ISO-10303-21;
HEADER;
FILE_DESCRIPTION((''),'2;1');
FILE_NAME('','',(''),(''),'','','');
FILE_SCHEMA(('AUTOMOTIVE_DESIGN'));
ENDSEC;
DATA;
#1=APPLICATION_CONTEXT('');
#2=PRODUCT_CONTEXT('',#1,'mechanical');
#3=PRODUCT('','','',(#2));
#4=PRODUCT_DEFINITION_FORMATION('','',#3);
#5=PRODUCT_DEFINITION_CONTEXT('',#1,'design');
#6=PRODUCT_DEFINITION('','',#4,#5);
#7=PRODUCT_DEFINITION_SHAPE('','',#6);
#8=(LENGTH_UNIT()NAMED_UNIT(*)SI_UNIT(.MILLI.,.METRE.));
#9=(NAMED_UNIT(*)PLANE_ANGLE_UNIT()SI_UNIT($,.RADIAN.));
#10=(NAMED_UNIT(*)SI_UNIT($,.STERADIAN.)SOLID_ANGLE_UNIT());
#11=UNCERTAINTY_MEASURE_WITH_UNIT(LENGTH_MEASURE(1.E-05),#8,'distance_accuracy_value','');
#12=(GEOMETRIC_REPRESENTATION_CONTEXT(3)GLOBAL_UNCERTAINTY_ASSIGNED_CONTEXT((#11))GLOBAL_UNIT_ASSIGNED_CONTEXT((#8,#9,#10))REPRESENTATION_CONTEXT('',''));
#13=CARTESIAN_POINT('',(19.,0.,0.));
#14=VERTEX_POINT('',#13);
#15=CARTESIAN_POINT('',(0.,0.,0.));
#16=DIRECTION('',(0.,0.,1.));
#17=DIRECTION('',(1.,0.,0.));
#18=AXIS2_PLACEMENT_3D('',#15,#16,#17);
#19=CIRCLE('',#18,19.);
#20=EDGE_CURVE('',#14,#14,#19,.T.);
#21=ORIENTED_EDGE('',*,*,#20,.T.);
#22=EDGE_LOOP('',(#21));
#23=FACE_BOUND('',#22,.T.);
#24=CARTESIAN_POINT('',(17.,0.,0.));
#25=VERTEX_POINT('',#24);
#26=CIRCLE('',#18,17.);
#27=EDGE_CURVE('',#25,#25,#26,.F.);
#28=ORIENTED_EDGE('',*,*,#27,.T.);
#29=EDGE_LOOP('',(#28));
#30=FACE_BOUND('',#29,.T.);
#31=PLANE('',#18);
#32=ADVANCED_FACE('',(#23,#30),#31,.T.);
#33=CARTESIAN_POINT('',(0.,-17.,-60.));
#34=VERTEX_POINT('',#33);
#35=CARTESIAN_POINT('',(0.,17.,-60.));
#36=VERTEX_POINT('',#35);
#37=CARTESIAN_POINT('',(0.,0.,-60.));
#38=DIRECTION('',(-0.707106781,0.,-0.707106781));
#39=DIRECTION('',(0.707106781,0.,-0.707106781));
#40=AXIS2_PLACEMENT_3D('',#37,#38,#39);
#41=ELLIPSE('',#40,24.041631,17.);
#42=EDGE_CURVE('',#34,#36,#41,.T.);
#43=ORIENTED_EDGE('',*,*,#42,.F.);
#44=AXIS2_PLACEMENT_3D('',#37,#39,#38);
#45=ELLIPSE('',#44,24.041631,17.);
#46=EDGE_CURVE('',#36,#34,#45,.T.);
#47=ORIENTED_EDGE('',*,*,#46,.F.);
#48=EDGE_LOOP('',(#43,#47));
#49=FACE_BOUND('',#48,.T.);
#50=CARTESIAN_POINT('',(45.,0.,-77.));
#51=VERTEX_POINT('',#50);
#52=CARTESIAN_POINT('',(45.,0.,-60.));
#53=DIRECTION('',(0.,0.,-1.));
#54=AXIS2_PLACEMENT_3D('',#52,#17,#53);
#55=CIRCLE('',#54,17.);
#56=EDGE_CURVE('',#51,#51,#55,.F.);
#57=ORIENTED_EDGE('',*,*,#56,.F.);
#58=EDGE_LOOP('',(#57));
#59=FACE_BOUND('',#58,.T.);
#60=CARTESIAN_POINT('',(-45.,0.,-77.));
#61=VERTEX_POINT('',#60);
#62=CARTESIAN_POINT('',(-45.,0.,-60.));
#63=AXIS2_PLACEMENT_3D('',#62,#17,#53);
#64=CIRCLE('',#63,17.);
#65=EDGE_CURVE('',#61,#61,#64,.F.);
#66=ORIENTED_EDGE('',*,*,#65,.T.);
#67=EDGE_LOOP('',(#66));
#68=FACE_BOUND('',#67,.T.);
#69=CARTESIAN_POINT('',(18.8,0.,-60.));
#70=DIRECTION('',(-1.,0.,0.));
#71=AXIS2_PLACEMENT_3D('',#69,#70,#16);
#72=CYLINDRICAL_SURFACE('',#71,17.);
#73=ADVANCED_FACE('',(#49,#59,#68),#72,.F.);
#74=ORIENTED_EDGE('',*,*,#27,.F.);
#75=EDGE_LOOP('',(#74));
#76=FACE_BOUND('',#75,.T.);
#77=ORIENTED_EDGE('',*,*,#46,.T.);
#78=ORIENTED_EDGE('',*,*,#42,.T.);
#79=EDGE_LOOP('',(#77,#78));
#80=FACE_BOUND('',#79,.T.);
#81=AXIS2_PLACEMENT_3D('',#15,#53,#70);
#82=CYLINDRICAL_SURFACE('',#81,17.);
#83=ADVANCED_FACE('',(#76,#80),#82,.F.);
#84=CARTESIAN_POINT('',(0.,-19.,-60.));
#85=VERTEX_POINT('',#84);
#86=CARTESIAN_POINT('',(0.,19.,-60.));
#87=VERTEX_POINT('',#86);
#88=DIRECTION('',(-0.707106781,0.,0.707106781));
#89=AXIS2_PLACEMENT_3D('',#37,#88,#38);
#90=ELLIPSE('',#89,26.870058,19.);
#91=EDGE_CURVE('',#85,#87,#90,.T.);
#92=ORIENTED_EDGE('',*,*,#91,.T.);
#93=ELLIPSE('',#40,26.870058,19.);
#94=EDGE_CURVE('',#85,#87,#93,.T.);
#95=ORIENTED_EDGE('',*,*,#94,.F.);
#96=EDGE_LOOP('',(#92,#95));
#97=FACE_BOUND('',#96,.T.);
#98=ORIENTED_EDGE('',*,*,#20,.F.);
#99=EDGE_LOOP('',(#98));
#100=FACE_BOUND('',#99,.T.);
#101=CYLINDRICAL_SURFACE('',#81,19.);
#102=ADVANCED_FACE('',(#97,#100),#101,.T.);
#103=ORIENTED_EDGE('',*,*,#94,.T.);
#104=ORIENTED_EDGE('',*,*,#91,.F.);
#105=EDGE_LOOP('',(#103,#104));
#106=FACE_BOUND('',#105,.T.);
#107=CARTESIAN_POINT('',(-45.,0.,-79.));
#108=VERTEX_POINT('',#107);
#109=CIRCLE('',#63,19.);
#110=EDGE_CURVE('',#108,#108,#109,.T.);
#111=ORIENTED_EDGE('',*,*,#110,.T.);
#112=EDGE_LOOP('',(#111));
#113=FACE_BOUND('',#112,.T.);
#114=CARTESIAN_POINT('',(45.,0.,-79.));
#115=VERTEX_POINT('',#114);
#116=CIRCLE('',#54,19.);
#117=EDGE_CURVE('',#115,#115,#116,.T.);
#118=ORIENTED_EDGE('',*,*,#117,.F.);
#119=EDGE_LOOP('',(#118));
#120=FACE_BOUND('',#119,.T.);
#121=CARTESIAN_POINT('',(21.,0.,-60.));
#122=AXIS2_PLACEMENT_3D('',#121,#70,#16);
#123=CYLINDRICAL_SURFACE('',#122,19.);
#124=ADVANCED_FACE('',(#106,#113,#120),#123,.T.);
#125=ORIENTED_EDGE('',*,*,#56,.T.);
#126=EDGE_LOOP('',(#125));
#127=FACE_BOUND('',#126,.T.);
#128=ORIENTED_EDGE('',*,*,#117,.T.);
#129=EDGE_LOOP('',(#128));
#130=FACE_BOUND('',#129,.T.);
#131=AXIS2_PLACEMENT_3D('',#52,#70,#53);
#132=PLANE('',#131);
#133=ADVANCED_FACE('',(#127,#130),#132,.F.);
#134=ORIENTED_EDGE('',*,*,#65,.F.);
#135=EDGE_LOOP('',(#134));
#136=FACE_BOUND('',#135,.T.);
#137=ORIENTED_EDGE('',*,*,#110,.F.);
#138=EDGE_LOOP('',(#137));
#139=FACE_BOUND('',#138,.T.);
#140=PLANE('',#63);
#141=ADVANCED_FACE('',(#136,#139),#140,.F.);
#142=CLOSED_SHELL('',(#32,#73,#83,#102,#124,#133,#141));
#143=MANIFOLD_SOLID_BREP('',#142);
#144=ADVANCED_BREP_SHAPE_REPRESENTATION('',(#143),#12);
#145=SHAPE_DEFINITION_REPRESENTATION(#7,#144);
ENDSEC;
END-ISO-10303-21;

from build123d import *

# Parameters (mm, degrees)
SKETCH1_R               = 19
SKETCH1_R_2             = 17
CUT_EXTRUDE1_DEPTH      = 93.881645167
CUT_EXTRUDE1_DEPTH_BACK = 93.881645167
SKETCH3_R               = 17


with BuildPart() as part:
    # Sweep1: sweep along a path in Sketch2
    with BuildLine(Plane(origin=(0, 0, 0), x_dir=(1, 0, 0), z_dir=(0, 1, 0))) as sweep1_path:
        Line((0, 0), (0, 60))
        Line((0, 60), (-45, 60))
    # Sketch1 → Sweep1 (sweep)
    with BuildSketch(Plane.XY):
        Circle(SKETCH1_R)
        Circle(SKETCH1_R_2, mode=Mode.SUBTRACT)
    sweep(path=sweep1_path.line, transition=Transition.RIGHT)

    # Mirror1: part across plane


with BuildPart() as part_1:
    add(part.part)
    add(part.part.mirror(Plane(origin=(0, 0, 0), x_dir=(0, 0, 1), z_dir=(1, 0, 0))))

    # Sketch3 → Cut-Extrude1 (cut, two sides: drawn at the far end of the back side and taken through both)
    with BuildSketch(Plane(origin=(0, 0, 0), x_dir=(0, 0, -1), z_dir=(1, 0, 0)).offset(-CUT_EXTRUDE1_DEPTH_BACK)):
        with Locations((60, 0)):
            Circle(SKETCH3_R)
    extrude(amount=CUT_EXTRUDE1_DEPTH + CUT_EXTRUDE1_DEPTH_BACK, mode=Mode.SUBTRACT)


solid = part_1.part
